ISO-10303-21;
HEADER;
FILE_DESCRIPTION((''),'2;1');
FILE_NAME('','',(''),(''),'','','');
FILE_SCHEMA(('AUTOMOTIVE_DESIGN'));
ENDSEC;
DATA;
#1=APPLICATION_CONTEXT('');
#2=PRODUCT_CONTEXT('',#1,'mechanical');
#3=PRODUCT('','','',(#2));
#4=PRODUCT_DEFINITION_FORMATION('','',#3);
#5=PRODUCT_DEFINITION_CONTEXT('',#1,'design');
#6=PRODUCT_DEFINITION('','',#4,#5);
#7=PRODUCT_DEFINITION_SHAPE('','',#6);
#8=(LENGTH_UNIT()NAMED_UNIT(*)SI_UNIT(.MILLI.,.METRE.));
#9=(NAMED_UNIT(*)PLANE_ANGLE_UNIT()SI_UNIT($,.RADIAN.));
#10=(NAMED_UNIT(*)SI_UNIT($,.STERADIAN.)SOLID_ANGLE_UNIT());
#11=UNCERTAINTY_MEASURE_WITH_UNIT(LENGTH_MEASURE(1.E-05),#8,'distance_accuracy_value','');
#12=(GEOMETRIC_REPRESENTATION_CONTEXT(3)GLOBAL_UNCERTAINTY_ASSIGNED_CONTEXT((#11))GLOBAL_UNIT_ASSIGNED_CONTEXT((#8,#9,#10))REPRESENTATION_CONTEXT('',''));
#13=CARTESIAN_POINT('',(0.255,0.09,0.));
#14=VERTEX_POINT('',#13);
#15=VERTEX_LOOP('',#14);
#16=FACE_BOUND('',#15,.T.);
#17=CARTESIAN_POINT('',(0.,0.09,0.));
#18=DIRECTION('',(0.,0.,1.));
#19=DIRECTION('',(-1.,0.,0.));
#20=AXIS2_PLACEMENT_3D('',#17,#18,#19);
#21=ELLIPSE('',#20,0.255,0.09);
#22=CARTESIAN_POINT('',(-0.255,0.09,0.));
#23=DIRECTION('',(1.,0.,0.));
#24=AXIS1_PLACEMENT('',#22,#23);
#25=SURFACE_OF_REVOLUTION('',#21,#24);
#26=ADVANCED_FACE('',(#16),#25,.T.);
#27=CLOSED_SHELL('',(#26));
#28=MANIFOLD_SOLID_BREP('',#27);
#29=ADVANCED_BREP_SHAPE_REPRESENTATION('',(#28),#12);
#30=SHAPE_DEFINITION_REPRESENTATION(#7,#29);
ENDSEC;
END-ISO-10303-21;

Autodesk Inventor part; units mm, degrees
ref_plane "YZ Plane" through (0, 0, 0) normal (1, 0, 0) x (0, 1, 0)
ref_plane "XZ Plane" through (0, 0, 0) normal (0, 1, 0) x (-1, 0, 0)
ref_plane "XY Plane" through (0, 0, 0) normal (0, 0, 1) x (1, 0, 0)
sketch "Sketch1" plane through (0, 0, 0) normal (0, 0, 1) x (1, 0, 0)
  line L0 (-0.255, 0.09) -> (0.255, 0.09)
  ellipse E0 centre (0, 0.09) end of major axis (-0.255, 0.09) minor radius 0.09 (-0.255, 0.09) -> (0.255, 0.09) ccw
  ellipse E1 centre (0, 0.09) end of major axis (-0.255, 0.09) minor radius 0.09 (0.255, 0.09) -> (-0.255, 0.09) ccw
  point P0 (0, 0)
  point P1 (0, 0.09)
  dimension "d2" = 0.09
  dimension "d1" = 0.51
revolve "Revolution1" add sketch "Sketch1" angle 360 about axis through (-0.255, 0.09, 0) along (1, 0, 0) contours L0 E0
